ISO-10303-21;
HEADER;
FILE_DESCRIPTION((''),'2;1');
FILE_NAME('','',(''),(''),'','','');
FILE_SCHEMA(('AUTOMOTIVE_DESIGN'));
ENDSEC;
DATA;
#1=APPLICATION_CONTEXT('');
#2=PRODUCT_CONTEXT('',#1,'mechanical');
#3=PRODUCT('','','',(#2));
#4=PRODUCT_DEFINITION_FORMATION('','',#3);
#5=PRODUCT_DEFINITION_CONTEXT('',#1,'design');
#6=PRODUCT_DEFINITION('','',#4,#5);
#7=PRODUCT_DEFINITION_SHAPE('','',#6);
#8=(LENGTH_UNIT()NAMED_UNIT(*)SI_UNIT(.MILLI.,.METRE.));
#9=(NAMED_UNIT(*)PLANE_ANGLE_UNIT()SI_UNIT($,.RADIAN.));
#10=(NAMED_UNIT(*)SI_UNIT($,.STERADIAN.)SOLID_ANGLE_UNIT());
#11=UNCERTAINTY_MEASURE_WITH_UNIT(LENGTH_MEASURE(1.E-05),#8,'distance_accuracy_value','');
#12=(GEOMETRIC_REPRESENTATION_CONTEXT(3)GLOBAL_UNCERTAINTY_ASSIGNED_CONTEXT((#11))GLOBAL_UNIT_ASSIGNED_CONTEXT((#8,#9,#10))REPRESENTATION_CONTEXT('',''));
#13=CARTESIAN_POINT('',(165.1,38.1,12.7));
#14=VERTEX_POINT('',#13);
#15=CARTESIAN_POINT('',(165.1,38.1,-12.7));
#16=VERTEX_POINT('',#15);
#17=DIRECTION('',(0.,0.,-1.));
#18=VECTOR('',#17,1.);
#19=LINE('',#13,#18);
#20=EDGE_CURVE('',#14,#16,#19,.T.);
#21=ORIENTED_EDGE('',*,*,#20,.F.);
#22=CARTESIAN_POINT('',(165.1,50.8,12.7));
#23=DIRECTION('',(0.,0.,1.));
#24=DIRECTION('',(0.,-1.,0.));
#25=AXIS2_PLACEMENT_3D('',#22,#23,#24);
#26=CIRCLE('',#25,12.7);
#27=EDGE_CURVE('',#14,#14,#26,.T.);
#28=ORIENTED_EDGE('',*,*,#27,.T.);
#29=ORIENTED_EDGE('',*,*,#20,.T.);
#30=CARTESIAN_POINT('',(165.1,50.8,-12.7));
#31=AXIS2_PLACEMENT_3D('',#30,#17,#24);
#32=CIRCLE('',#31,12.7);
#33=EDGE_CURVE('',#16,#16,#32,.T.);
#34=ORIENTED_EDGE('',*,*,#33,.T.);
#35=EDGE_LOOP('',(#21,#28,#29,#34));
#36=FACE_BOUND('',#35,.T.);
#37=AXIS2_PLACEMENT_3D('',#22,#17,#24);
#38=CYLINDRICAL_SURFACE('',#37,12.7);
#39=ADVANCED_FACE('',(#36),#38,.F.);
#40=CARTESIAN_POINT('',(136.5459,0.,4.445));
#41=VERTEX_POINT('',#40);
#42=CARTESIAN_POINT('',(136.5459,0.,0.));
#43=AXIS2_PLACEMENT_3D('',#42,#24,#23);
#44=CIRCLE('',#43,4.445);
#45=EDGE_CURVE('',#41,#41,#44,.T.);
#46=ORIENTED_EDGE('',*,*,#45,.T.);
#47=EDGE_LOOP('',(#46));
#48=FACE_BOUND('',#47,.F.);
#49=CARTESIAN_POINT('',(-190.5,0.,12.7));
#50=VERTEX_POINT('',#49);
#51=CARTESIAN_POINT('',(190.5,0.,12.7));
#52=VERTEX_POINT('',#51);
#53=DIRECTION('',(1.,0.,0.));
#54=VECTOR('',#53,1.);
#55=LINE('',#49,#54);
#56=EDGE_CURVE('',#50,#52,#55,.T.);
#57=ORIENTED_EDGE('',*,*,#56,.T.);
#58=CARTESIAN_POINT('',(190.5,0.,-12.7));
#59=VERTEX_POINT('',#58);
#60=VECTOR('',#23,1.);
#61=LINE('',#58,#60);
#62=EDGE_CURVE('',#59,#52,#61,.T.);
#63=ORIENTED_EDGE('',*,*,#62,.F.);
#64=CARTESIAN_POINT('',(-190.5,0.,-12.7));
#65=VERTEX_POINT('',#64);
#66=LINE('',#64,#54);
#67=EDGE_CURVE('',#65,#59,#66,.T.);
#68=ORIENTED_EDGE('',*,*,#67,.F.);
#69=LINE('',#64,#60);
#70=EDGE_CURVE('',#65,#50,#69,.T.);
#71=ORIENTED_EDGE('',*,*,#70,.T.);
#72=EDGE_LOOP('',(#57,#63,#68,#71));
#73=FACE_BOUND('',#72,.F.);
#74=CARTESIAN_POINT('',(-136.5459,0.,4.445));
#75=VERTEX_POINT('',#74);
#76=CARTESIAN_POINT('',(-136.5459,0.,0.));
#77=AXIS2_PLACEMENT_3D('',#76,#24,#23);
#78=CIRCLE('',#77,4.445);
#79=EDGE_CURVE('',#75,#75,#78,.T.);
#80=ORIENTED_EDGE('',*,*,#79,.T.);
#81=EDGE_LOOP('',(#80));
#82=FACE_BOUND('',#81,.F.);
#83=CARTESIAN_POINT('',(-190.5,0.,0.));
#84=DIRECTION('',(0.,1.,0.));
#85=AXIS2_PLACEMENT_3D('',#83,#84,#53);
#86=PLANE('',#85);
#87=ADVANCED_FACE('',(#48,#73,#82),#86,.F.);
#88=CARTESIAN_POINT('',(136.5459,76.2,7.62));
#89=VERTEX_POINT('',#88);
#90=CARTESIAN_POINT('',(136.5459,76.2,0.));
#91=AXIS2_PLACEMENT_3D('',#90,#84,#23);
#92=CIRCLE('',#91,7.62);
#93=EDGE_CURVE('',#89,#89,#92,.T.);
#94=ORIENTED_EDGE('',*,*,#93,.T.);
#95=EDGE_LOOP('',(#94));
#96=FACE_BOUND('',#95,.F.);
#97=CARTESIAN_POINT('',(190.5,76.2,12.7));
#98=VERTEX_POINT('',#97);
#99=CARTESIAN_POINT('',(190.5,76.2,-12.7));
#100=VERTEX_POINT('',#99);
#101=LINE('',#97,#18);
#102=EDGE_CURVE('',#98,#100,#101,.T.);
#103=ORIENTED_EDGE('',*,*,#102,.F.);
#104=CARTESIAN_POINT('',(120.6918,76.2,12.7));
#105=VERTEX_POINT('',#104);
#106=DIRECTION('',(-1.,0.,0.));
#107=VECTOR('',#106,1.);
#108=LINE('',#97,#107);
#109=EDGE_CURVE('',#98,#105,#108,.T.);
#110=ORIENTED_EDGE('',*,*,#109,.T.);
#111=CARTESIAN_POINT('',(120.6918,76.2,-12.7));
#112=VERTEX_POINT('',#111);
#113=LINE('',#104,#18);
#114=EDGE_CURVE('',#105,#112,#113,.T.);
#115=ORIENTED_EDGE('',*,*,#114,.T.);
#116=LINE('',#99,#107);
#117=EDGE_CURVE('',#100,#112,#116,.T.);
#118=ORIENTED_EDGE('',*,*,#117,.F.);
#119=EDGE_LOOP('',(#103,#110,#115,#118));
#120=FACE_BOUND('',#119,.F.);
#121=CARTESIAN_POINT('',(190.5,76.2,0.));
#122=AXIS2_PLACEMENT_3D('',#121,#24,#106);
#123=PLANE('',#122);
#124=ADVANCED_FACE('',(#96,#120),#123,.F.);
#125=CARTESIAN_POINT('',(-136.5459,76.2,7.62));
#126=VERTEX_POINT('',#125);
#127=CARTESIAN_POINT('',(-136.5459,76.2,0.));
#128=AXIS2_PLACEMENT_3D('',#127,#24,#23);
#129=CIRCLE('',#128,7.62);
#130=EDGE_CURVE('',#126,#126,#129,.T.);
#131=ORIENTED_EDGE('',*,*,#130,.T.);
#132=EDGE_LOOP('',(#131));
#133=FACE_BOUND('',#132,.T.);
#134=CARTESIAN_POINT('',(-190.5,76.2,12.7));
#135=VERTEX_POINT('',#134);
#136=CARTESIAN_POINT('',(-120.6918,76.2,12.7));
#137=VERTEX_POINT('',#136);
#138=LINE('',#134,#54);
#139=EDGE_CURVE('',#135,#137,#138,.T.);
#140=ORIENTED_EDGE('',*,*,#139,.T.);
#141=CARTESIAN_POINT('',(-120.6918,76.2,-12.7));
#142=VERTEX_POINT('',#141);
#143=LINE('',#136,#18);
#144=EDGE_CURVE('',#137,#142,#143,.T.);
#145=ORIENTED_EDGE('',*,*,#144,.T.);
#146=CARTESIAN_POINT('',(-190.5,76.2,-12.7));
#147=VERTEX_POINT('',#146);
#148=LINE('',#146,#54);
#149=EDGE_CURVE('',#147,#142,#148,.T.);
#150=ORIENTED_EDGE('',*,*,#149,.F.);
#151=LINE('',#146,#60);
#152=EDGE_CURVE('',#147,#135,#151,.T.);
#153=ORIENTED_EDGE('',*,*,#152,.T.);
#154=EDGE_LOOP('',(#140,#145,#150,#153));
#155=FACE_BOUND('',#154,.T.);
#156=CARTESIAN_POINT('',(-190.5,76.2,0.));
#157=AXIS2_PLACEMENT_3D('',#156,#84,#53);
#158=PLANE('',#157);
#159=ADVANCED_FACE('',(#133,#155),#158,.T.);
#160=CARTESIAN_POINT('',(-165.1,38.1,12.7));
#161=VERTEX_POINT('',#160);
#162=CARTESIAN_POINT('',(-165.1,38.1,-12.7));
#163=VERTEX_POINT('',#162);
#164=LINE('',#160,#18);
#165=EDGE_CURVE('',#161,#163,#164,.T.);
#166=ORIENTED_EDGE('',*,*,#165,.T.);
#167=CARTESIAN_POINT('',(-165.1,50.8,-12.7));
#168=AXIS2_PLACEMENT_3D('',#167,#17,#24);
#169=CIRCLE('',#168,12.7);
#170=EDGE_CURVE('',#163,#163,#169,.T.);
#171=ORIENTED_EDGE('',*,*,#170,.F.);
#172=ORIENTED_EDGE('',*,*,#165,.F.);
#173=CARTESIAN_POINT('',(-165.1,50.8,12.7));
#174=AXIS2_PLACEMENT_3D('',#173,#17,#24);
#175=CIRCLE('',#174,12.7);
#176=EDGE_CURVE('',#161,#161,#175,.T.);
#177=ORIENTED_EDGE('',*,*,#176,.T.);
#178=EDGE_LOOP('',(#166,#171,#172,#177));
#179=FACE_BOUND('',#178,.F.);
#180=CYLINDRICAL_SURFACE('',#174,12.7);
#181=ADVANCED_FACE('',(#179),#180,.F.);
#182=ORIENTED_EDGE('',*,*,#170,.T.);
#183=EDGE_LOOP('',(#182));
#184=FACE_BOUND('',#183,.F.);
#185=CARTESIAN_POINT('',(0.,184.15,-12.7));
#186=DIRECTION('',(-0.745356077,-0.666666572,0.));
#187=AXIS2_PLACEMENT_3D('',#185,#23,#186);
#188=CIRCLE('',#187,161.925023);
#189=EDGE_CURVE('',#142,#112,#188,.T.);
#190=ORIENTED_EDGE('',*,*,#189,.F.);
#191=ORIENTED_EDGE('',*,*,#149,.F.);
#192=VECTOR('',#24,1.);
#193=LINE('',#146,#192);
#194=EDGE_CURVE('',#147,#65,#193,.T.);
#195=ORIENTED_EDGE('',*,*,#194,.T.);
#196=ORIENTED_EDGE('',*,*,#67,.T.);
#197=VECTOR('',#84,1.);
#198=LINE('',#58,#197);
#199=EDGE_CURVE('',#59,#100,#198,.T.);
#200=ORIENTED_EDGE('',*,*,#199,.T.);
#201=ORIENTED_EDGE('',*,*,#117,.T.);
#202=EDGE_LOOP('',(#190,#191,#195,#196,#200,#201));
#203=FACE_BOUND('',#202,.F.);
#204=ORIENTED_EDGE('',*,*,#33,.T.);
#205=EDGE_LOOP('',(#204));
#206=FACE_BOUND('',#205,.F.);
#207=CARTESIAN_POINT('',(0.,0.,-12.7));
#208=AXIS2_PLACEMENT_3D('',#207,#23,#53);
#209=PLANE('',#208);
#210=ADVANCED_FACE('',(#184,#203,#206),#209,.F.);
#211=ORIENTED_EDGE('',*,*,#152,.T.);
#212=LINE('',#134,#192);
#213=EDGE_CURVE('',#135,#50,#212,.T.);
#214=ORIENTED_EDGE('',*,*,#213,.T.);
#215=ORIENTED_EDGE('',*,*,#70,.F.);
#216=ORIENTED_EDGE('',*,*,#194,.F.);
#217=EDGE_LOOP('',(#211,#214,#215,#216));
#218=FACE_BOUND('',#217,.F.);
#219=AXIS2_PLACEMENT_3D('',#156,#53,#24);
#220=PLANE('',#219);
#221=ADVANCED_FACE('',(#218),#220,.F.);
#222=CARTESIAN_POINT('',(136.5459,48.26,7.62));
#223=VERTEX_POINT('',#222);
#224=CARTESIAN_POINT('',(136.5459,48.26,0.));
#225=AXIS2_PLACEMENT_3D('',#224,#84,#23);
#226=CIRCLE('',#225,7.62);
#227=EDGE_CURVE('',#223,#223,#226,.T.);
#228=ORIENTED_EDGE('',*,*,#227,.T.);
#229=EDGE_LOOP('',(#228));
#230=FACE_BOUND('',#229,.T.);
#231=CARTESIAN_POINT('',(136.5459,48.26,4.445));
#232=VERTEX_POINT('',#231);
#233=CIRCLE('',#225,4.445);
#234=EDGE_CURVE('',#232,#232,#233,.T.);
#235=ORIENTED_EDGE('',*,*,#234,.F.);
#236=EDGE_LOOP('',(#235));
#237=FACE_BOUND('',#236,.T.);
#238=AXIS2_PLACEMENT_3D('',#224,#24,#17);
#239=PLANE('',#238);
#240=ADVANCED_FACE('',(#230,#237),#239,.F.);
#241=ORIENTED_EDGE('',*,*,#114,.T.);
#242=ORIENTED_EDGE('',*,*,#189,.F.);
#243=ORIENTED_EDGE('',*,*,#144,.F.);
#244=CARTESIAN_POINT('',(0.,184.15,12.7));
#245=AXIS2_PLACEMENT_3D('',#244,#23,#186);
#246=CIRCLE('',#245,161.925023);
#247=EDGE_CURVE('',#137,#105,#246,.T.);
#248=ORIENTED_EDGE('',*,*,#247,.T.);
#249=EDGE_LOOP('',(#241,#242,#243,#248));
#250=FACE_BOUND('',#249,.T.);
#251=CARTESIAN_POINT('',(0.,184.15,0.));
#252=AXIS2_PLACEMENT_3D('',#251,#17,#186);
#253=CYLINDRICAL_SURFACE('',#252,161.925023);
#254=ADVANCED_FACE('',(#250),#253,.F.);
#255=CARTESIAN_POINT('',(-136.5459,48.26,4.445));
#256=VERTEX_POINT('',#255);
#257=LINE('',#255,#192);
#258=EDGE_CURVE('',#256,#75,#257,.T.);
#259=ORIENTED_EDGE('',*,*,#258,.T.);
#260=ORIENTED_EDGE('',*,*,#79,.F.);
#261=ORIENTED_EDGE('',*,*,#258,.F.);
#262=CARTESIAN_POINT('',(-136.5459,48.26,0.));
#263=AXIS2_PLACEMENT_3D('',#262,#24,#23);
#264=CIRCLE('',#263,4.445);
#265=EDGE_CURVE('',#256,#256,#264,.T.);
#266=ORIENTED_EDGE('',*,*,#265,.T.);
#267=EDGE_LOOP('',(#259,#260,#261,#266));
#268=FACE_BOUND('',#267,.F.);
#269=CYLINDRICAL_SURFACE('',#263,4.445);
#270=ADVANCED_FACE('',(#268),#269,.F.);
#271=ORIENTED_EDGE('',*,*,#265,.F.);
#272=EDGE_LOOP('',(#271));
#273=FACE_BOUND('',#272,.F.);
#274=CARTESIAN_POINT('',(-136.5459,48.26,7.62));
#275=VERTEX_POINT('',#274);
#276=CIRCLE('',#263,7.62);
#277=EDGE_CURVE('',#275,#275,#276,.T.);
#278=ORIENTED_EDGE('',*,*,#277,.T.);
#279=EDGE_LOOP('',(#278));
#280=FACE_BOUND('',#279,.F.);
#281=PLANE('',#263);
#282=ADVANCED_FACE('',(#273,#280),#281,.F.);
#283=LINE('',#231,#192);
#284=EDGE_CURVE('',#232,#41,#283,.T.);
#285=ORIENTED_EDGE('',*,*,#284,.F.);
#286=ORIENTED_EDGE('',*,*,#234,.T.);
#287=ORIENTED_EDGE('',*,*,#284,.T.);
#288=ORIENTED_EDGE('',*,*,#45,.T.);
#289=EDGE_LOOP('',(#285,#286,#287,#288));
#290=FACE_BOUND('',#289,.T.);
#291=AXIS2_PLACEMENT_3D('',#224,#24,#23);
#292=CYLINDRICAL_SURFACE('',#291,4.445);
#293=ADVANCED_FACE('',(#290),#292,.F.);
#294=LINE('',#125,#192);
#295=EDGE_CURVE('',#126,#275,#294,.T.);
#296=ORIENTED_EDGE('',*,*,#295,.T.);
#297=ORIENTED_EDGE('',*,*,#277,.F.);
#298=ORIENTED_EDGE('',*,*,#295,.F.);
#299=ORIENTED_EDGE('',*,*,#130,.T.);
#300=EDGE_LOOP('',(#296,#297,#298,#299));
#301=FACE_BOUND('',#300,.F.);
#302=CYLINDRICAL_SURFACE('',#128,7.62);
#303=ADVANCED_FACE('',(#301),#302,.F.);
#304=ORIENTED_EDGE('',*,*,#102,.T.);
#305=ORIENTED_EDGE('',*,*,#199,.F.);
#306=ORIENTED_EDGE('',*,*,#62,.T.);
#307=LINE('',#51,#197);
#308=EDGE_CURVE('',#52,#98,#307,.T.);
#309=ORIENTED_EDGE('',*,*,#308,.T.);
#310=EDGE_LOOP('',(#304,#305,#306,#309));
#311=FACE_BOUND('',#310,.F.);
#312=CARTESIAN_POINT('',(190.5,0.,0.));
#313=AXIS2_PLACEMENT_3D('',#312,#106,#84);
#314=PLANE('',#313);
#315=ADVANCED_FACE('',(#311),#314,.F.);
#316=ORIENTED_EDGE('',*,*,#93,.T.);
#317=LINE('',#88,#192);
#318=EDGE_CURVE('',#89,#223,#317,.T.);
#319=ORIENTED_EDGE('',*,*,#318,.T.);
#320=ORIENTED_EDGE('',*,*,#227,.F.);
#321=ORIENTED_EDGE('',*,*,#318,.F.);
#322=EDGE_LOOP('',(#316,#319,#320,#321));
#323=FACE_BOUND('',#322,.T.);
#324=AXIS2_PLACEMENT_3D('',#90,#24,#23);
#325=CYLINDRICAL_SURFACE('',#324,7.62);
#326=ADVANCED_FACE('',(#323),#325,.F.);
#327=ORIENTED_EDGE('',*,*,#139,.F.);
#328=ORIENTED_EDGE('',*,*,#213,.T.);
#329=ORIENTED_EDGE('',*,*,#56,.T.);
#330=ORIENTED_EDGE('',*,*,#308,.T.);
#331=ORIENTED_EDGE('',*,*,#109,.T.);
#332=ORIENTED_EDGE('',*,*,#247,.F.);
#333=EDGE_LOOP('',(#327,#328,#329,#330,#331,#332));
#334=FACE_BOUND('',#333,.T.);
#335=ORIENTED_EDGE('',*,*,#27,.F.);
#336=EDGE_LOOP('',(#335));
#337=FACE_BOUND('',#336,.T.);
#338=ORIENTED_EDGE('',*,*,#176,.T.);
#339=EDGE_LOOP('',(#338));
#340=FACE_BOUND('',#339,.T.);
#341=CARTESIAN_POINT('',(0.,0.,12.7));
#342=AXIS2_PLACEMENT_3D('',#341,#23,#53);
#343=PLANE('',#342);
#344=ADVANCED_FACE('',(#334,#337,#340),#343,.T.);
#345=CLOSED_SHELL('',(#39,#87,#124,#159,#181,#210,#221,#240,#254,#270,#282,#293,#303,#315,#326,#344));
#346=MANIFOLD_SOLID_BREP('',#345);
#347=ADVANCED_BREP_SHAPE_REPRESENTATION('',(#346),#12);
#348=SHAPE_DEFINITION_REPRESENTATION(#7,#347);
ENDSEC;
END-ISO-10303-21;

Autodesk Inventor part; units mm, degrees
ref_plane "YZ Plane" through (0, 0, 0) normal (1, 0, 0) x (0, 1, 0)
ref_plane "XZ Plane" through (0, 0, 0) normal (0, 1, 0) x (-1, 0, 0)
ref_plane "XY Plane" through (0, 0, 0) normal (0, 0, 1) x (1, 0, 0)
sketch "Sketch1" plane through (0, 0, 0) normal (0, 0, 1) x (1, 0, 0)
  line L0 (-190.5, 76.2) -> (-190.5, 0)
  line L1 (-190.5, 0) -> (190.5, 0)
  line L2 (190.5, 0) -> (190.5, 76.2)
  line L3 (190.5, 76.2) -> (120.6918, 76.2)
  line L4 (-190.5, 76.2) -> (-120.6918, 76.2)
  arc A0 (-120.6918, 76.2) -> (120.6918, 76.2) centre (0, 184.15) ccw
  point P0 (0, 0)
  point P1 (0, 0)
  dimension "d0" = 161.925
  dimension "d1" = 381
  dimension "d2" = 190.5
  dimension "d3" = 76.2
  dimension "d4" = 184.15
extrude "Extrusion1" add sketch "Sketch1" along normal mid plane 25.4
sketch "Sketch2" plane through (-190.5, 76.2, 12.7) normal (0, 1, 0) x (1, 0, 0)
  line L0 (0, 25.4) -> (69.8082, 0) construction
  line L1 (69.8082, 0) -> (0, 0) projected
  line L2 (69.8082, 25.4) -> (69.8082, 0) projected
  line L3 (0, 0) -> (0, 25.4) projected
  line L4 (0, 25.4) -> (69.8082, 25.4) projected
  line L5 (0, 0) -> (69.8082, 25.4) construction
  point P0 (53.9541, 12.7)
  point P1 (34.9041, 12.7)
  dimension "d14" = 19.05
hole "Hole1" at (-136.5459, 76.2, 0) direction (0, -1, 0) diameter 8.89 end through all counterbore diameter 15.24 counterbore depth 27.94 clearance for "Socket Head Cap Screw" size "M8" standard "Ansi Metric M Profile"
sketch "Sketch3" plane through (0, 0, 12.7) normal (0, 0, 1) x (1, 0, 0)
  line L0 (-120.6918, 76.2) -> (-190.5, 76.2) projected
  line L1 (-190.5, 76.2) -> (-190.5, 0) projected
  point P0 (0, 0)
  point P1 (-165.1, 50.8)
  dimension "d23" = 25.4
  dimension "d24" = 25.4
hole "Hole2" at (-165.1, 50.8, 12.7) direction (0, 0, -1) diameter 25.4 end through all
mirror "Mirror1" about plane through (0, 0, 0) normal (1, 0, 0) of "Hole1", "Hole2"
equation "\"d2\" = 0.5 * d1"
properties part number "Tank Holder"
